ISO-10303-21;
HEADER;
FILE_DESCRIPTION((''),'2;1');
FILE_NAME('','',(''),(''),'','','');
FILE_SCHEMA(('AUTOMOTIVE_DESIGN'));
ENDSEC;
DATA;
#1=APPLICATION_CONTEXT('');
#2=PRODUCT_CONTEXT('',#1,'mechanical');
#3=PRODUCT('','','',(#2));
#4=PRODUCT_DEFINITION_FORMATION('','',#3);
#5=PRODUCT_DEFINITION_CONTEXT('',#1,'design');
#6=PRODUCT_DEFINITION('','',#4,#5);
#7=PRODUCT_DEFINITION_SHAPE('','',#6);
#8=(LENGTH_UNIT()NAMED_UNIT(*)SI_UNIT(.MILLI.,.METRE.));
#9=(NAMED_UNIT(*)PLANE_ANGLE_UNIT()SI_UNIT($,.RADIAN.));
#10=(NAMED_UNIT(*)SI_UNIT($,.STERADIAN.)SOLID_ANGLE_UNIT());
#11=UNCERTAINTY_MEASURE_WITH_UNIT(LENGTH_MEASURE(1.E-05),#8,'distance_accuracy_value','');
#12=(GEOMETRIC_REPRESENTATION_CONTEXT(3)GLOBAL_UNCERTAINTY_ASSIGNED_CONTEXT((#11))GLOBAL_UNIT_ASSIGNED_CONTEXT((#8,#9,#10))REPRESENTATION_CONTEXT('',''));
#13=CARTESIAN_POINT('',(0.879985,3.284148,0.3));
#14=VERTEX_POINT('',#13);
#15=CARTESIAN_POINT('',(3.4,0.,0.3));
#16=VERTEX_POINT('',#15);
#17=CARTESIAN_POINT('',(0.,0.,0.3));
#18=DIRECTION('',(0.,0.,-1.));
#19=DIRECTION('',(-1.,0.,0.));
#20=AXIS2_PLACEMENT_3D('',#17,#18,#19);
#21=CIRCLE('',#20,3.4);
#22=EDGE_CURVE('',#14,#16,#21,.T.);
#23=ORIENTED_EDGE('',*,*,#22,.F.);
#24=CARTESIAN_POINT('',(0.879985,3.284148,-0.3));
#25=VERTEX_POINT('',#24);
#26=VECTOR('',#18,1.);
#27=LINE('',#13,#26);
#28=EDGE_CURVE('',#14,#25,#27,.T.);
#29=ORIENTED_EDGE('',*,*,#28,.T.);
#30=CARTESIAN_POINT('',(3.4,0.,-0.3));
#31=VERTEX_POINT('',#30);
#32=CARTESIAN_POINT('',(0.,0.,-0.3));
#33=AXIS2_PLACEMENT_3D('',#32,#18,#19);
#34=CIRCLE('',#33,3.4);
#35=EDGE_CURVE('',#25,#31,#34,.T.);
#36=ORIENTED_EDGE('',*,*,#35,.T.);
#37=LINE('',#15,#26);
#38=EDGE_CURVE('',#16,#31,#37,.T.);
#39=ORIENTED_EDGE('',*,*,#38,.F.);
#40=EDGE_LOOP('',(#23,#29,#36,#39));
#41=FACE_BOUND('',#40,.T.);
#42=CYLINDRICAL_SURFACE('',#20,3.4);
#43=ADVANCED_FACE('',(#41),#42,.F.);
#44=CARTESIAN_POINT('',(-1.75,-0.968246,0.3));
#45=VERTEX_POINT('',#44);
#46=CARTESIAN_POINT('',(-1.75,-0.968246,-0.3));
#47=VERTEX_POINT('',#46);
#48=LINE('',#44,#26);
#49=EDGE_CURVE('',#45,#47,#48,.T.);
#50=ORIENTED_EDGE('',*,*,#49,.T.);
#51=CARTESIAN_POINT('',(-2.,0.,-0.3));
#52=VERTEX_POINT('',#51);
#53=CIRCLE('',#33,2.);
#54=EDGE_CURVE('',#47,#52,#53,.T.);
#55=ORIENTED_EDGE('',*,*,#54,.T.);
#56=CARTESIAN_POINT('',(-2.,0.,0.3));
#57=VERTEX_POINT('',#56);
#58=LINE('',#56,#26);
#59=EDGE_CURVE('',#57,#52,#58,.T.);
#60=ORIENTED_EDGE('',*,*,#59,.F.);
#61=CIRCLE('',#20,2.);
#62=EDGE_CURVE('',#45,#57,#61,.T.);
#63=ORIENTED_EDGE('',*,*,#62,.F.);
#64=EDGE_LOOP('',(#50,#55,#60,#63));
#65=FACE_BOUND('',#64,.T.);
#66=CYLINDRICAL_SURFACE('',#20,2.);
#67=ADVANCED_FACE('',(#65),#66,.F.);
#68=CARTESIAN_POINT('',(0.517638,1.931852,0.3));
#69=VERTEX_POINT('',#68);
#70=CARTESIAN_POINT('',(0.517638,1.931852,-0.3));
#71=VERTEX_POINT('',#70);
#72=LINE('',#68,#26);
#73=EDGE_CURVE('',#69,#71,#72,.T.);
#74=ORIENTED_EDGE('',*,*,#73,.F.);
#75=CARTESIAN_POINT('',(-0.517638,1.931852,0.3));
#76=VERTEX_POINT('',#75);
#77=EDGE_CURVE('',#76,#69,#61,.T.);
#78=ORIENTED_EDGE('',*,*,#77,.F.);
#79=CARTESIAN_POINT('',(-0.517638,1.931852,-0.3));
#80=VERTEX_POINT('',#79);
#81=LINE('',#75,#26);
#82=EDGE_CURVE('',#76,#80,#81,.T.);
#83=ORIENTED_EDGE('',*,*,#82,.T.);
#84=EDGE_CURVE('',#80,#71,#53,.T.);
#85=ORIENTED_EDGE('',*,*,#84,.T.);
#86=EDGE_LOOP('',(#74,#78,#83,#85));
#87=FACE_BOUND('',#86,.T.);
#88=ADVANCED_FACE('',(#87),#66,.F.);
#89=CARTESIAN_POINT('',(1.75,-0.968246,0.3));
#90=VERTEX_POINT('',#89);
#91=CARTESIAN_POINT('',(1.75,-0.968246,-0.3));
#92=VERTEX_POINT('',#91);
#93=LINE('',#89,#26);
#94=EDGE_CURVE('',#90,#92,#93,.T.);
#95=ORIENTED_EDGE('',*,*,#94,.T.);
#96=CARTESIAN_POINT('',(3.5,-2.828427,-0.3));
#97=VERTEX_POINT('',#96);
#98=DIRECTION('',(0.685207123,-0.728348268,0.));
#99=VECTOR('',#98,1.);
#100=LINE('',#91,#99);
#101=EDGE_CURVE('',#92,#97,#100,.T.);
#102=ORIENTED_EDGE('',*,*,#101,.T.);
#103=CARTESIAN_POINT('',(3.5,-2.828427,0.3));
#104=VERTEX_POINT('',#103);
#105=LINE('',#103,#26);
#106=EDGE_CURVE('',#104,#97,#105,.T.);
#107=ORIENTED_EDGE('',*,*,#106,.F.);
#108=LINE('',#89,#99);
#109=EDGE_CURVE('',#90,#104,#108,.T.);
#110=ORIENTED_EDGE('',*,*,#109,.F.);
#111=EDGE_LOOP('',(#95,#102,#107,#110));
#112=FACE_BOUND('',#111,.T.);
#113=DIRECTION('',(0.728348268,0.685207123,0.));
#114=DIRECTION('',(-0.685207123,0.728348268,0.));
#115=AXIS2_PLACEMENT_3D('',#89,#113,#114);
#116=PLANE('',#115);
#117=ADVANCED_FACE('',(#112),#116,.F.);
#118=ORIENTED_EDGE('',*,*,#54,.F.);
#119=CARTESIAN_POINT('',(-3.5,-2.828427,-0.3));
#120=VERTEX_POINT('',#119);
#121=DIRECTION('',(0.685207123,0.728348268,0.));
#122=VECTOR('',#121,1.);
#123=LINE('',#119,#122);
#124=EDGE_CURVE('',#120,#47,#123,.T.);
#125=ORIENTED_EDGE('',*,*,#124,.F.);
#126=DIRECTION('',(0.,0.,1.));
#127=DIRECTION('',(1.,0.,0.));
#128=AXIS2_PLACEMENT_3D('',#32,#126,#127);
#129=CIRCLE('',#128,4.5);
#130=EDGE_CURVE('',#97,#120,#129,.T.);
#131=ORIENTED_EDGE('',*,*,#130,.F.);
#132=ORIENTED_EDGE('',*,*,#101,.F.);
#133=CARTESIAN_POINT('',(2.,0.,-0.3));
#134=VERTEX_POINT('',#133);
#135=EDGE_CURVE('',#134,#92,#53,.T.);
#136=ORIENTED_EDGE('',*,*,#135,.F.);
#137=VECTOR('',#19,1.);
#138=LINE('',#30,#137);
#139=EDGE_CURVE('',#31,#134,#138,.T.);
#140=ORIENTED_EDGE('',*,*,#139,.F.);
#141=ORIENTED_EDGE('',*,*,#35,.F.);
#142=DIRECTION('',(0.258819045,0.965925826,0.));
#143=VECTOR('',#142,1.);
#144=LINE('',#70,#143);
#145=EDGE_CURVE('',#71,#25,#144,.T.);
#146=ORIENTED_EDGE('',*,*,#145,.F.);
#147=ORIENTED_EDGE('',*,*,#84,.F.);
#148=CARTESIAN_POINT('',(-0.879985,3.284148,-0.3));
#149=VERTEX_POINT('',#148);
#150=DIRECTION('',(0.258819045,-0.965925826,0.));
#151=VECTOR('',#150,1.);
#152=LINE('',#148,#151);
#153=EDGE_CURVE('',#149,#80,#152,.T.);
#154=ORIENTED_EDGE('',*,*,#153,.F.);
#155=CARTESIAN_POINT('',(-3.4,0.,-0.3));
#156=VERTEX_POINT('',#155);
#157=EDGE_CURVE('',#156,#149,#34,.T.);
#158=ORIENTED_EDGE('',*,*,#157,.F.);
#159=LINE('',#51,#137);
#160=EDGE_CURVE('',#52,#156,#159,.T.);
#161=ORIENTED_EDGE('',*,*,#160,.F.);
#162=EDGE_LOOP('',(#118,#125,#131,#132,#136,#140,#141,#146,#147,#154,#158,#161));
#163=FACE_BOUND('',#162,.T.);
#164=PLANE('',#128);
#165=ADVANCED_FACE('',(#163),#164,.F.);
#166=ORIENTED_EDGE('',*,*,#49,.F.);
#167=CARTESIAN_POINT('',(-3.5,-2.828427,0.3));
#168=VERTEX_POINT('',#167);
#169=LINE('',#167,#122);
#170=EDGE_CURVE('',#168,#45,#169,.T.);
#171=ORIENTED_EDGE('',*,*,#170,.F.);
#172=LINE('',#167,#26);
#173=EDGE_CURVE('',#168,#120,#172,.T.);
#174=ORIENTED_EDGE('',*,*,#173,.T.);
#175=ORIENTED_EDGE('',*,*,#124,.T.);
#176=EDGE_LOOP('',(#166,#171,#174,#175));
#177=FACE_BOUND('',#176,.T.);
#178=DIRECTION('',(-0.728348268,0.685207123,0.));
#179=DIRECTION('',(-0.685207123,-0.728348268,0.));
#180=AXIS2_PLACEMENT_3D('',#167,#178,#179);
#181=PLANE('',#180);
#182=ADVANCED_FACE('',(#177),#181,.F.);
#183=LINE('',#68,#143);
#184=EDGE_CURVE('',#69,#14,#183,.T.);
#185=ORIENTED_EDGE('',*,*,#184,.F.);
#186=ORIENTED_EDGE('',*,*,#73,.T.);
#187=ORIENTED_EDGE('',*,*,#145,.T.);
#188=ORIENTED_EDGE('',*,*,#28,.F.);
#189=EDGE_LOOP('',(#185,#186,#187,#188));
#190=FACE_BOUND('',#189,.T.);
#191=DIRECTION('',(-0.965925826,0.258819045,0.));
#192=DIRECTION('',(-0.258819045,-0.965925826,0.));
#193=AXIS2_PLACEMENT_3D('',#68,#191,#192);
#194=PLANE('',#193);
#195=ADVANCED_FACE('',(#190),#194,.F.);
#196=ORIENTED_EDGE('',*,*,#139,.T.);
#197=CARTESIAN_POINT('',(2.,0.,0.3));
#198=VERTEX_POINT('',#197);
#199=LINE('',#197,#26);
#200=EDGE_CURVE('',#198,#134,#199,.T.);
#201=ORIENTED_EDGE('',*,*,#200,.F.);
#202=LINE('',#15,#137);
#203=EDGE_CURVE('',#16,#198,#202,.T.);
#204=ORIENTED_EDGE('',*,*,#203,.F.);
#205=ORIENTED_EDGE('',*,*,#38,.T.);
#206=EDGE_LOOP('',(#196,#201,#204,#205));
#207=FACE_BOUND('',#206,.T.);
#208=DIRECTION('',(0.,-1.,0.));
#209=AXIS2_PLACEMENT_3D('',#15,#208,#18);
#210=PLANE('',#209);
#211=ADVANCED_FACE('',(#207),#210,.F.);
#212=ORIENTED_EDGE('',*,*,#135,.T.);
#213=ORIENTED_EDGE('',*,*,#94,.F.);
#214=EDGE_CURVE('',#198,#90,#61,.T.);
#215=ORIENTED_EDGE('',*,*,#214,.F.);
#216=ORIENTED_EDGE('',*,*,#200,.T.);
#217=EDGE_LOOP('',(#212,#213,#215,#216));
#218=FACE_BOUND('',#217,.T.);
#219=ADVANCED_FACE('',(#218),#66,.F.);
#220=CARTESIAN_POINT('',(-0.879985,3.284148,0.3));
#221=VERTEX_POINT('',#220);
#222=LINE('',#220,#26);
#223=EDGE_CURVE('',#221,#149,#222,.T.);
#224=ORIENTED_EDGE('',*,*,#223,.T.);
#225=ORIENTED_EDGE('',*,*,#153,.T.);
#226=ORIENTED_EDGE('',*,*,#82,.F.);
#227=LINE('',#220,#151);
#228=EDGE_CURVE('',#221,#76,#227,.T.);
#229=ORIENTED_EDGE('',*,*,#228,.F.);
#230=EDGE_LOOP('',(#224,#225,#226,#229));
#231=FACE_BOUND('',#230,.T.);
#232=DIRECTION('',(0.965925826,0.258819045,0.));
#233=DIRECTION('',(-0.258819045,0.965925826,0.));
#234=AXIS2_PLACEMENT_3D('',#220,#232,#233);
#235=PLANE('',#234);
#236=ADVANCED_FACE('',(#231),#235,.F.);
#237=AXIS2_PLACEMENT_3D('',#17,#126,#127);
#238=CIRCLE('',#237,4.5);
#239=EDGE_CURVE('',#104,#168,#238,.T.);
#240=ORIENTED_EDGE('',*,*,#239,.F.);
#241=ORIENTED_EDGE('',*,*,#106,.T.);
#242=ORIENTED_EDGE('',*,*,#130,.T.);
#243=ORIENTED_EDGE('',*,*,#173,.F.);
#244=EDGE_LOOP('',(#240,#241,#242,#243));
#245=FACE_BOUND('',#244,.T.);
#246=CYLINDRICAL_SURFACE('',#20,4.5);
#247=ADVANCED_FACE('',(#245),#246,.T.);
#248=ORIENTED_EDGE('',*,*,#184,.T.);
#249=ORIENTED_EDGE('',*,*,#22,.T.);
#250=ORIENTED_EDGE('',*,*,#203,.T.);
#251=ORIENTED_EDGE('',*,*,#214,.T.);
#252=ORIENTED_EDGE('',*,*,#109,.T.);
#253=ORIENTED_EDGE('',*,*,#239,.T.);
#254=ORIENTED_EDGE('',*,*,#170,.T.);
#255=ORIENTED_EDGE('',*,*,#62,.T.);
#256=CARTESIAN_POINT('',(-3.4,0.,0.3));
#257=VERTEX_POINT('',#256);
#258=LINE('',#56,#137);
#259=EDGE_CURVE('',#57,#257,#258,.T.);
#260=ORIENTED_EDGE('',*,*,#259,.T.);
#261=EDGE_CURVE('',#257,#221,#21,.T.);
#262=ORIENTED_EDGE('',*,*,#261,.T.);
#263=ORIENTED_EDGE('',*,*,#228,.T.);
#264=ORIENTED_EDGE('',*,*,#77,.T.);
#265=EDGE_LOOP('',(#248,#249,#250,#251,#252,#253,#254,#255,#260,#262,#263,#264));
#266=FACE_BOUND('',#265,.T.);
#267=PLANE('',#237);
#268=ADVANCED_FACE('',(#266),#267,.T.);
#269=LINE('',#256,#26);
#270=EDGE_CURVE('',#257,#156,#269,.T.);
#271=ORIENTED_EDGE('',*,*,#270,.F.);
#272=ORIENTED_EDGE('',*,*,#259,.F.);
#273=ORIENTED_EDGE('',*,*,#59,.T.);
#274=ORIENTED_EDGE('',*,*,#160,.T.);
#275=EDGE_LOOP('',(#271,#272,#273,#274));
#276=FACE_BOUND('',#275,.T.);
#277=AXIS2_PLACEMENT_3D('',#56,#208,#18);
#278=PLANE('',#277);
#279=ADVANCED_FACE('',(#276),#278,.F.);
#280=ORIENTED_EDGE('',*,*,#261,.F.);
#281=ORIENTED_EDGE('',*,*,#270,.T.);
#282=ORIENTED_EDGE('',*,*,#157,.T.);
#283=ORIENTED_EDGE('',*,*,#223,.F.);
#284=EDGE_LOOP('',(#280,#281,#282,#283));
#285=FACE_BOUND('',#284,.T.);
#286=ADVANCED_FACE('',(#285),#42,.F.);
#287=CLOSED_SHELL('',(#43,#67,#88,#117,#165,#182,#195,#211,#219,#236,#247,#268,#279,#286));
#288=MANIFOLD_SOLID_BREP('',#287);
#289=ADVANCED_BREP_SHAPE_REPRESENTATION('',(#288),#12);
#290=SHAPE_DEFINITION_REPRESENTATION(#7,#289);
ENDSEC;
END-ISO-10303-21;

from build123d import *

# Parameters (mm, degrees)
EXTRUDE_1_DEPTH      = 0.3
EXTRUDE_1_DEPTH_BACK = 0.3


with BuildPart() as part:
    # 草圖1 → 填料-伸長1 (new, two sides: drawn at the far end of the back side and taken through both)
    with BuildSketch(Plane.XY.offset(-EXTRUDE_1_DEPTH_BACK)):
        with BuildLine():
            Line((-3.5, -2.828427125), (-1.75, -0.968245837))
            ThreePointArc((-1.75, -0.968245837), (-1.936491673, -0.5), (-2, 0))
            Line((-2, 0), (-3.4, 0))
            ThreePointArc((-3.4, 0), (-2.697401357, 2.069788859), (-0.879984753, 3.284147809))
            Line((-0.879984753, 3.284147809), (-0.51763809, 1.931851653))
            ThreePointArc((-0.51763809, 1.931851653), (0, 2), (0.51763809, 1.931851653))
            Line((0.51763809, 1.931851653), (0.879984753, 3.284147809))
            ThreePointArc((0.879984753, 3.284147809), (2.697401357, 2.069788859), (3.4, 0))
            Line((3.4, 0), (2, 0))
            ThreePointArc((2, 0), (1.936491673, -0.5), (1.75, -0.968245837))
            Line((1.75, -0.968245837), (3.5, -2.828427125))
            ThreePointArc((3.5, -2.828427125), (0, 4.5), (-3.5, -2.828427125))
        make_face()
    extrude(amount=EXTRUDE_1_DEPTH + EXTRUDE_1_DEPTH_BACK)


solid = part.part
